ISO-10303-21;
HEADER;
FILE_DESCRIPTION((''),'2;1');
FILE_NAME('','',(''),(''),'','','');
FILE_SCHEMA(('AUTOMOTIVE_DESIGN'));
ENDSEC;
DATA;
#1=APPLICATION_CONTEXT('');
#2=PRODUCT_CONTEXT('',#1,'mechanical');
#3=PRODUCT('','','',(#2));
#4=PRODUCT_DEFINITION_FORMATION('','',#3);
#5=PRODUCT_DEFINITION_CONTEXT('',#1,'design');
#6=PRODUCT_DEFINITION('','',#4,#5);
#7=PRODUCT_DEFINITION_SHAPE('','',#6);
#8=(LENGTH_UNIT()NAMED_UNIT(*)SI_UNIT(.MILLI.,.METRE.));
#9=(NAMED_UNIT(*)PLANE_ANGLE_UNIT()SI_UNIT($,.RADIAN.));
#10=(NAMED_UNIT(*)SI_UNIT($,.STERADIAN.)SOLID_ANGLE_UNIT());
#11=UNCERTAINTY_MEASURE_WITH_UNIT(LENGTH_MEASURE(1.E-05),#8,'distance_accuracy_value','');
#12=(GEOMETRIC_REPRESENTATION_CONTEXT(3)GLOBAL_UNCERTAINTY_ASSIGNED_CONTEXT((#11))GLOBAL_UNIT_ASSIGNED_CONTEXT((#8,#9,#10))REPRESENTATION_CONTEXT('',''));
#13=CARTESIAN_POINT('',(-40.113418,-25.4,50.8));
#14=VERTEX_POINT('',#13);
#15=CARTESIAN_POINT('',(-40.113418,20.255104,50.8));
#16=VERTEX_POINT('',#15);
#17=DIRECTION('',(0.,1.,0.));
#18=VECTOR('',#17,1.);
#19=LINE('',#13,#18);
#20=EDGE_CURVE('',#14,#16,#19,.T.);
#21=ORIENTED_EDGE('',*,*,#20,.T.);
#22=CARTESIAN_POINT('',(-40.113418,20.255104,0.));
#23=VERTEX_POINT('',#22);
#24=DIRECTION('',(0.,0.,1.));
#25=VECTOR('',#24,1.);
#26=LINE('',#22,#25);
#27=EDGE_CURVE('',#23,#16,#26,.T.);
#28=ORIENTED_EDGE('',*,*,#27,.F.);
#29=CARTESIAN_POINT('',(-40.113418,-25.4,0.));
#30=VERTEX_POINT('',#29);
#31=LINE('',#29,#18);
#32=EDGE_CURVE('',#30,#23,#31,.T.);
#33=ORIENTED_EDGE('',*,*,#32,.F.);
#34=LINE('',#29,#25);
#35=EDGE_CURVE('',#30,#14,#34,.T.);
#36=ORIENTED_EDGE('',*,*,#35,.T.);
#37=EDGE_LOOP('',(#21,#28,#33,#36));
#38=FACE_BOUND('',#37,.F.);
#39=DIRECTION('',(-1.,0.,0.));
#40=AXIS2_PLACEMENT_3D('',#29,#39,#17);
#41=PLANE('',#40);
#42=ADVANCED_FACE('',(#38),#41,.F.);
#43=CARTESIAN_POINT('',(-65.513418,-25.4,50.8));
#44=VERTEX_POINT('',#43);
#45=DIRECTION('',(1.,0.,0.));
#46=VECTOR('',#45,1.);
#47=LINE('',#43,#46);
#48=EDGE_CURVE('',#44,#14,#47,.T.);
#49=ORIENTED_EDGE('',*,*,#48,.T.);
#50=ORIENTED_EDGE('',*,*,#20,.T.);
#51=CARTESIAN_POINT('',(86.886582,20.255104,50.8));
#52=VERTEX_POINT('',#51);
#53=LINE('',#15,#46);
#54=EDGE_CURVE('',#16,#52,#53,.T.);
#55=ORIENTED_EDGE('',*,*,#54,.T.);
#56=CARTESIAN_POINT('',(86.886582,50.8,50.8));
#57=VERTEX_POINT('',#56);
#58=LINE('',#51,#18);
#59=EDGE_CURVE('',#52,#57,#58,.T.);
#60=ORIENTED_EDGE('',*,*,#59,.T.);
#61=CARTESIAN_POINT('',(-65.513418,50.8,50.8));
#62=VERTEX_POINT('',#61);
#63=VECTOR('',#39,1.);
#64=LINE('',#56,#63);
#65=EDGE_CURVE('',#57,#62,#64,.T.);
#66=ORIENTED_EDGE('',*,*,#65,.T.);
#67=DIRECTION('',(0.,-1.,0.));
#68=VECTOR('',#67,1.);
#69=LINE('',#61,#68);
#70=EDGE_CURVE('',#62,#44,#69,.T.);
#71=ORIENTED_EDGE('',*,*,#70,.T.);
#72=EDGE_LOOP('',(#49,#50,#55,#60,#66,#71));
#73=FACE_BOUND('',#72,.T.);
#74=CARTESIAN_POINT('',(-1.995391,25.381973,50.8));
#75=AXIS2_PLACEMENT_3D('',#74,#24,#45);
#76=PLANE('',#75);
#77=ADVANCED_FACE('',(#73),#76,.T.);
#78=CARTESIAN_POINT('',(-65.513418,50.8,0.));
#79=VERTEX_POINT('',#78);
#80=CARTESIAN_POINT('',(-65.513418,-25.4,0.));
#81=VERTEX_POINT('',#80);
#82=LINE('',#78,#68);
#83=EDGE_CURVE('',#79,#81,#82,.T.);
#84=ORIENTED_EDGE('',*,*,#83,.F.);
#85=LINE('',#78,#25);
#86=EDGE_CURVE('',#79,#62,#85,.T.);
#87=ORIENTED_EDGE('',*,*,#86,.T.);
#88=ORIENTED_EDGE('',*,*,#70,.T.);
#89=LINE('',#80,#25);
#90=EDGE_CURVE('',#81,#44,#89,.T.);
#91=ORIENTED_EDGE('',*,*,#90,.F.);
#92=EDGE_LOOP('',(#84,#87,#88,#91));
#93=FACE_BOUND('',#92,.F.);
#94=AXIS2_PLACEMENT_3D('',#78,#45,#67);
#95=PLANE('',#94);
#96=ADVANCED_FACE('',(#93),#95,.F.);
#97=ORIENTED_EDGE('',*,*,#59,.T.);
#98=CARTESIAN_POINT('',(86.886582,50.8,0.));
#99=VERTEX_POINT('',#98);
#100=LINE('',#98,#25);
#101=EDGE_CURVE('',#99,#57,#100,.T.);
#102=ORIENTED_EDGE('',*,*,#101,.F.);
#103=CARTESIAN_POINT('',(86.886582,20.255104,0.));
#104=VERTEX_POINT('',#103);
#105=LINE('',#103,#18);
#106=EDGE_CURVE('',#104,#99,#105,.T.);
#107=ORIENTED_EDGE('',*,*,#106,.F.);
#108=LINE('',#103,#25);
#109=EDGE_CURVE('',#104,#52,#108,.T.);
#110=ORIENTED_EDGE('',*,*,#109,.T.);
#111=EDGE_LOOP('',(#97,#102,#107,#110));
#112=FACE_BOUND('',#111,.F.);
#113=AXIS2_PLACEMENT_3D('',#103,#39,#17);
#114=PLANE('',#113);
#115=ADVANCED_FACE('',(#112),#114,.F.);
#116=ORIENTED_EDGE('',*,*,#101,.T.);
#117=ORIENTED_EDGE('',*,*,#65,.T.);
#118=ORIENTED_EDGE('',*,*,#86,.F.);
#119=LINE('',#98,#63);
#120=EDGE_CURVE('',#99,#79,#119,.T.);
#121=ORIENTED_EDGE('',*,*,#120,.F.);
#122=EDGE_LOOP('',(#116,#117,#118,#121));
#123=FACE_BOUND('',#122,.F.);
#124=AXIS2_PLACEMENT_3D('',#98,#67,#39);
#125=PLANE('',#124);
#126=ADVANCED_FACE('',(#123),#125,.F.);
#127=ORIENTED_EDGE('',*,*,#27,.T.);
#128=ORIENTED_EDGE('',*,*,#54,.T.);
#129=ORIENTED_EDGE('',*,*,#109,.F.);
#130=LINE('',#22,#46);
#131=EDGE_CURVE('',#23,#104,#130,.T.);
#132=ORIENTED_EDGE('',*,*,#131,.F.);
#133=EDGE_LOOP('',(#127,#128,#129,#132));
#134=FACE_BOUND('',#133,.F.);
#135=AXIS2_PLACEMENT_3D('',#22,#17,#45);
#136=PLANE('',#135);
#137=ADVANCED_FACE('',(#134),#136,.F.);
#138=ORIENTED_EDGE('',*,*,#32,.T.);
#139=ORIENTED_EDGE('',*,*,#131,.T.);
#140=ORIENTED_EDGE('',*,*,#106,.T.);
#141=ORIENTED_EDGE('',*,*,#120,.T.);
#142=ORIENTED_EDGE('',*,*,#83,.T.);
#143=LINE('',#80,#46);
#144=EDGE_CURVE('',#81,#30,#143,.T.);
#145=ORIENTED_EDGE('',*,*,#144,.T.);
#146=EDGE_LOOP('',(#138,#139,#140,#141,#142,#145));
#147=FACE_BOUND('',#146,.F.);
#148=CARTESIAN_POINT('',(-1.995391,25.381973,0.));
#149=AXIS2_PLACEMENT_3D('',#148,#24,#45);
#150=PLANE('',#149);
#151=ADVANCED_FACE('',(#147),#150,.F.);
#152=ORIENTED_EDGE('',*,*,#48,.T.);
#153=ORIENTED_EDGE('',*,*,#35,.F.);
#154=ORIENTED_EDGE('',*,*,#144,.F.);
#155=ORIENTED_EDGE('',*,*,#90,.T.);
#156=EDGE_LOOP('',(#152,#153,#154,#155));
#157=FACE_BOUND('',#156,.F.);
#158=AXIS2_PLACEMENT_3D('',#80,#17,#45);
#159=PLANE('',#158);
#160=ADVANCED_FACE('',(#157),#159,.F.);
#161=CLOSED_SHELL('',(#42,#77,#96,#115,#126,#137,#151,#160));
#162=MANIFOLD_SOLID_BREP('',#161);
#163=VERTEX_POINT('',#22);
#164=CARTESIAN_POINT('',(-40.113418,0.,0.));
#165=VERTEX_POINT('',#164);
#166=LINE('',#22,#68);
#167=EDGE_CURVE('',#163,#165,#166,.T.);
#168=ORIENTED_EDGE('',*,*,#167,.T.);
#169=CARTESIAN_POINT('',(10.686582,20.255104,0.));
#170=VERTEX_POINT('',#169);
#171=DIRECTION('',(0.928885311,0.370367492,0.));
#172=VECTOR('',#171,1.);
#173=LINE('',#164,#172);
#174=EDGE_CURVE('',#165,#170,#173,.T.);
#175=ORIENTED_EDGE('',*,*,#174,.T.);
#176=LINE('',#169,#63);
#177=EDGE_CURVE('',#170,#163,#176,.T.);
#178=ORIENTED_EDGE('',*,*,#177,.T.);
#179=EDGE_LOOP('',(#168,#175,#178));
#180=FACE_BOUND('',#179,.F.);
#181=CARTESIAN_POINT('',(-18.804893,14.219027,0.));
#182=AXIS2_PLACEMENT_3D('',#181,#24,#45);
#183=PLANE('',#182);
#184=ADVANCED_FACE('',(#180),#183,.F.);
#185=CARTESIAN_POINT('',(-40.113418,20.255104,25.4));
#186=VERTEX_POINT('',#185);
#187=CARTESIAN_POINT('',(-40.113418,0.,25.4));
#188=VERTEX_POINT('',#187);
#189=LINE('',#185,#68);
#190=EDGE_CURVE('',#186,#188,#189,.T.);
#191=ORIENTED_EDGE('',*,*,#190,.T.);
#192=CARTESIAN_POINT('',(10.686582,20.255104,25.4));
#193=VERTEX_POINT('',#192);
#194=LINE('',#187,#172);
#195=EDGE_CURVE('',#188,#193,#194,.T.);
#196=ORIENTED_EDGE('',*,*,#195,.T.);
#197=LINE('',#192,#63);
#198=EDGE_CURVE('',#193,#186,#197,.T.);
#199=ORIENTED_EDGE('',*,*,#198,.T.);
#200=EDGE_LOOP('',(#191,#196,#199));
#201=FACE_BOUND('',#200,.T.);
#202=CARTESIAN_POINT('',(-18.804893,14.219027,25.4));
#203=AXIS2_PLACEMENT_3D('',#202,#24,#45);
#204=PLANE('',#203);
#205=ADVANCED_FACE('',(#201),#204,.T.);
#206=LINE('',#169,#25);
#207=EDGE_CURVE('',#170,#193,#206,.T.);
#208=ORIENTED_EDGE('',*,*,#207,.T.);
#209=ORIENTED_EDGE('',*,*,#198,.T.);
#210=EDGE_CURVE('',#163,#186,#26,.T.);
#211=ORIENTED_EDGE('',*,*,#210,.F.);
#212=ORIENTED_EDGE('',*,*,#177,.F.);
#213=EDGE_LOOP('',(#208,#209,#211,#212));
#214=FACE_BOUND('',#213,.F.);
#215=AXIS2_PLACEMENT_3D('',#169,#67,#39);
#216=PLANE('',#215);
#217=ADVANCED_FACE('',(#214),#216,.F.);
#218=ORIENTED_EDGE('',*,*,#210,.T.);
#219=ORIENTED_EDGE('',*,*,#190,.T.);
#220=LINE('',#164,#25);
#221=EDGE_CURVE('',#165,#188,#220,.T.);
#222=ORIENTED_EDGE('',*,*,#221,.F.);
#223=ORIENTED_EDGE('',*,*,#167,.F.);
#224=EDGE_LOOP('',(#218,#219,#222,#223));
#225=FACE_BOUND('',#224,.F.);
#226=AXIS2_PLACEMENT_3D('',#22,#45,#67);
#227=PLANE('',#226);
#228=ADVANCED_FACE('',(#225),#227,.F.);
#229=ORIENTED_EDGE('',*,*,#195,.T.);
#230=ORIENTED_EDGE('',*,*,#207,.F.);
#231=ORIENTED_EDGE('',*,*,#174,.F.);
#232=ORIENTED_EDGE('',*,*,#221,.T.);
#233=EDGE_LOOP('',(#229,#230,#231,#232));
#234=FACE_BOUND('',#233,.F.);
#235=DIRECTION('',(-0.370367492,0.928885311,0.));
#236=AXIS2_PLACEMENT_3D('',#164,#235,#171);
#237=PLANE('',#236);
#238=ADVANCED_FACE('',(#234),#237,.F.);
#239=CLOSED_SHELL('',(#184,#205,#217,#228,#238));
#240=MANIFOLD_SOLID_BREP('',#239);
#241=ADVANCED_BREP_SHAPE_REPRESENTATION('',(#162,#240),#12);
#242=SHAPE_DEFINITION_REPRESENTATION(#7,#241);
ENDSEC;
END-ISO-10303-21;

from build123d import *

# Parameters (mm, degrees)
F1_DEPTH = 25.4
F2_DEPTH = 50.8


with BuildPart() as f1:
    # F0 (on Top) → F1 (new body)
    with BuildSketch(Plane.XY):
        Polygon((-40.113418, 0), (10.686582, 20.255104), (-40.113418, 20.255104), align=None)
    extrude(amount=F1_DEPTH)


with BuildPart() as f2:
    # F0 (on Top) → F2 (new body)
    with BuildSketch(Plane.XY):
        Polygon((86.886582, 50.8), (-65.513418, 50.8), (-65.513418, -25.4), (-40.113418, -25.4), (-40.113418, 0), (-40.113418, 20.255104), (10.686582, 20.255104), (86.886582, 20.255104), align=None)
    extrude(amount=F2_DEPTH)


solid = Compound([f1.part, f2.part])
